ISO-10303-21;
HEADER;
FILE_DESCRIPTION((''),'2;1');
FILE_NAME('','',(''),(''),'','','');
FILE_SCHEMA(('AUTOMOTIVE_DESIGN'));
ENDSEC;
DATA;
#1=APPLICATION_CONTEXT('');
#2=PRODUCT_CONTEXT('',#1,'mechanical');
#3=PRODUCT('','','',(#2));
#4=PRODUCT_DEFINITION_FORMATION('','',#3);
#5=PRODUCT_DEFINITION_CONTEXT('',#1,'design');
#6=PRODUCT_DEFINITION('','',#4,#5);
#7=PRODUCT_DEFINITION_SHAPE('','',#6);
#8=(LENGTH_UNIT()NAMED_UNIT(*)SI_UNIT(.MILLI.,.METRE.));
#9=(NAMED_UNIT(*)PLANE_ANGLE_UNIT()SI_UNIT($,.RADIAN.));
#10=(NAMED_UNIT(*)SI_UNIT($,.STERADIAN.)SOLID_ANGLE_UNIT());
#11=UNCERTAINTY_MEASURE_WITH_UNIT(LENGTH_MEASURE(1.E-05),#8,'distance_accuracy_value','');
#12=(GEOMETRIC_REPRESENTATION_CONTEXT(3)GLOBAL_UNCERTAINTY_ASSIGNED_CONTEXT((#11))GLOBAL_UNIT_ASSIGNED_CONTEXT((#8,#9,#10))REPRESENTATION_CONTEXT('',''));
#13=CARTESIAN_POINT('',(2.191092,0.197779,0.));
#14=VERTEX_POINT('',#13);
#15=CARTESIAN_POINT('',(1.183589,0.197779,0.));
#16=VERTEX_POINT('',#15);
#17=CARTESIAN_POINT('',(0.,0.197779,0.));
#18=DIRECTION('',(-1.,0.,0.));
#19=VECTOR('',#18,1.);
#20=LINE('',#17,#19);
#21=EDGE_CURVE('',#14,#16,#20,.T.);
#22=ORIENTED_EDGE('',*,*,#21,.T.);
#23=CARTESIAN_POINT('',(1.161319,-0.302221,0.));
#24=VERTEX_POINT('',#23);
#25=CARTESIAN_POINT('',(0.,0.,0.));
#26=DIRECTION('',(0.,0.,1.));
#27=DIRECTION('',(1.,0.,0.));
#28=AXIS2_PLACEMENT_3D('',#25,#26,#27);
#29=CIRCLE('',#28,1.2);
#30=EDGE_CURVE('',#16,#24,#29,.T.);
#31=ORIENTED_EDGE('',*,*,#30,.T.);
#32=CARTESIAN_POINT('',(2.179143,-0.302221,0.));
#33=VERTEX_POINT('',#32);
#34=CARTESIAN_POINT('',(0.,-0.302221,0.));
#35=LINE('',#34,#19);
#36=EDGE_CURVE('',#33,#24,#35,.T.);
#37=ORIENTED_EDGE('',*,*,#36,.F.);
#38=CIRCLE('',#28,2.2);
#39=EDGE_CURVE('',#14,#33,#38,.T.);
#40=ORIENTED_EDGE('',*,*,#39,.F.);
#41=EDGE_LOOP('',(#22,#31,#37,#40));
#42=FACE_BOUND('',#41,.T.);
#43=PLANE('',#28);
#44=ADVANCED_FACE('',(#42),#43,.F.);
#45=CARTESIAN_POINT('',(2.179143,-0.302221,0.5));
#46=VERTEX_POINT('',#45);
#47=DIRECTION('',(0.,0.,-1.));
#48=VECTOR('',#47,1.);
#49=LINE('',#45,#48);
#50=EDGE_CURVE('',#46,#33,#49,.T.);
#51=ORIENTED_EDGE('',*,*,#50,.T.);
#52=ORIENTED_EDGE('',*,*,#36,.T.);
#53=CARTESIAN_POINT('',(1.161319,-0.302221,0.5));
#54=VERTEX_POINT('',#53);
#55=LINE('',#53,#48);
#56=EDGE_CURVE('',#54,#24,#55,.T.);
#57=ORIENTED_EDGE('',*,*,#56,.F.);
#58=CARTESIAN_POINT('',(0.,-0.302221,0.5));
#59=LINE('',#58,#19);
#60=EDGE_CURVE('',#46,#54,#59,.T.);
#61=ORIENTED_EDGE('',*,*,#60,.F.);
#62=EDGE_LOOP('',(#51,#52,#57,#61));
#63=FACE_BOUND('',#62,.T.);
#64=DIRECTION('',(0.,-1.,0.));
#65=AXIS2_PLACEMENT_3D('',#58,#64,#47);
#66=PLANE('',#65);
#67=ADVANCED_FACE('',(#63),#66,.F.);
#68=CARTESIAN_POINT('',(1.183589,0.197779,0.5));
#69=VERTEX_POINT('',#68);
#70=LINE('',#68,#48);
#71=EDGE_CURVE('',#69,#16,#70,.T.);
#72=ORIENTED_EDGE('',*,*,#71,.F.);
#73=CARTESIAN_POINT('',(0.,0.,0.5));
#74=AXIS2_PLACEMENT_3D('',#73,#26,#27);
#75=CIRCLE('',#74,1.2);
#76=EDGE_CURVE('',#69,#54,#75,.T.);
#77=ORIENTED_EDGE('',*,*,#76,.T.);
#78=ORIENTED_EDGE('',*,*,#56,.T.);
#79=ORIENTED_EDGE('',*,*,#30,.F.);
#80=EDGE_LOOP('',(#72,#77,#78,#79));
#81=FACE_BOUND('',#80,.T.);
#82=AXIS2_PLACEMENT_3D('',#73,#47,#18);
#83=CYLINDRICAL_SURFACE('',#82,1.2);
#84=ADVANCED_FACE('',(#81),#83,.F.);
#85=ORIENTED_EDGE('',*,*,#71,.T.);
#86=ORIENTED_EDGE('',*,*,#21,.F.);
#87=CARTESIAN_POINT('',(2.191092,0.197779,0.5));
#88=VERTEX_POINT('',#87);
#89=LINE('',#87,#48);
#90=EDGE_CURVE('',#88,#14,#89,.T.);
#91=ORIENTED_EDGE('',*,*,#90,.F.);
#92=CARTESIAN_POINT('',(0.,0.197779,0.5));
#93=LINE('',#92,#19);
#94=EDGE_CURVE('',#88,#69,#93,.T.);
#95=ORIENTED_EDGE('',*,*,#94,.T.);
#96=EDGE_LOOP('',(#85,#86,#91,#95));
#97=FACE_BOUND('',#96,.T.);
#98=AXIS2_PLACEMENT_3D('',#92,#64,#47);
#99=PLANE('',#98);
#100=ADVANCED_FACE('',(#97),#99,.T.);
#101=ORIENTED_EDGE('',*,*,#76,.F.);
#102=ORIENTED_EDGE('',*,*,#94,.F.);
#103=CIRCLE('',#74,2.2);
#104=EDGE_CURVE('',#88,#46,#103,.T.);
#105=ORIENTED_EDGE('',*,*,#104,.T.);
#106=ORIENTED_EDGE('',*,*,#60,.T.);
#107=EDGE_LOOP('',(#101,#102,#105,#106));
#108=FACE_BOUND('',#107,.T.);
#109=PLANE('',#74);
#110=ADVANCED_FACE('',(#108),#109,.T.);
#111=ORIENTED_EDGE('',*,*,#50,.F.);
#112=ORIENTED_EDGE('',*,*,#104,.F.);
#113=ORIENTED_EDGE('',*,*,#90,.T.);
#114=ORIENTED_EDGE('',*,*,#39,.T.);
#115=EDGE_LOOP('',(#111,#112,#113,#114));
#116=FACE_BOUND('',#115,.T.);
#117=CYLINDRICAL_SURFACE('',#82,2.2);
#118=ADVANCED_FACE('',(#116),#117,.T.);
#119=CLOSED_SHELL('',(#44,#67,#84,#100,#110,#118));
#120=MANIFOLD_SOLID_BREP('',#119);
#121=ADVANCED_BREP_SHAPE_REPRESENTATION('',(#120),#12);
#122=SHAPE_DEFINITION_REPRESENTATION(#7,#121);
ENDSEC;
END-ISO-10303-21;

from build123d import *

# Parameters (mm, degrees)
BOSS_EXTRUDE1_DEPTH = 0.5


with BuildPart() as part:
    # Sketch1 → Boss-Extrude1 (new body)
    with BuildSketch(Plane.XY):
        with BuildLine():
            ThreePointArc((2.191091812, 0.197779353), (-2.199372026, 0.052561313), (2.179142648, -0.302220647))
            Line((2.179142648, -0.302220647), (1.161319371, -0.302220647))
            ThreePointArc((1.161319371, -0.302220647), (-1.198811502, 0.053394588), (1.183589172, 0.197779353))
            Line((1.183589172, 0.197779353), (2.191091812, 0.197779353))
        make_face()
    extrude(amount=BOSS_EXTRUDE1_DEPTH)


solid = part.part
